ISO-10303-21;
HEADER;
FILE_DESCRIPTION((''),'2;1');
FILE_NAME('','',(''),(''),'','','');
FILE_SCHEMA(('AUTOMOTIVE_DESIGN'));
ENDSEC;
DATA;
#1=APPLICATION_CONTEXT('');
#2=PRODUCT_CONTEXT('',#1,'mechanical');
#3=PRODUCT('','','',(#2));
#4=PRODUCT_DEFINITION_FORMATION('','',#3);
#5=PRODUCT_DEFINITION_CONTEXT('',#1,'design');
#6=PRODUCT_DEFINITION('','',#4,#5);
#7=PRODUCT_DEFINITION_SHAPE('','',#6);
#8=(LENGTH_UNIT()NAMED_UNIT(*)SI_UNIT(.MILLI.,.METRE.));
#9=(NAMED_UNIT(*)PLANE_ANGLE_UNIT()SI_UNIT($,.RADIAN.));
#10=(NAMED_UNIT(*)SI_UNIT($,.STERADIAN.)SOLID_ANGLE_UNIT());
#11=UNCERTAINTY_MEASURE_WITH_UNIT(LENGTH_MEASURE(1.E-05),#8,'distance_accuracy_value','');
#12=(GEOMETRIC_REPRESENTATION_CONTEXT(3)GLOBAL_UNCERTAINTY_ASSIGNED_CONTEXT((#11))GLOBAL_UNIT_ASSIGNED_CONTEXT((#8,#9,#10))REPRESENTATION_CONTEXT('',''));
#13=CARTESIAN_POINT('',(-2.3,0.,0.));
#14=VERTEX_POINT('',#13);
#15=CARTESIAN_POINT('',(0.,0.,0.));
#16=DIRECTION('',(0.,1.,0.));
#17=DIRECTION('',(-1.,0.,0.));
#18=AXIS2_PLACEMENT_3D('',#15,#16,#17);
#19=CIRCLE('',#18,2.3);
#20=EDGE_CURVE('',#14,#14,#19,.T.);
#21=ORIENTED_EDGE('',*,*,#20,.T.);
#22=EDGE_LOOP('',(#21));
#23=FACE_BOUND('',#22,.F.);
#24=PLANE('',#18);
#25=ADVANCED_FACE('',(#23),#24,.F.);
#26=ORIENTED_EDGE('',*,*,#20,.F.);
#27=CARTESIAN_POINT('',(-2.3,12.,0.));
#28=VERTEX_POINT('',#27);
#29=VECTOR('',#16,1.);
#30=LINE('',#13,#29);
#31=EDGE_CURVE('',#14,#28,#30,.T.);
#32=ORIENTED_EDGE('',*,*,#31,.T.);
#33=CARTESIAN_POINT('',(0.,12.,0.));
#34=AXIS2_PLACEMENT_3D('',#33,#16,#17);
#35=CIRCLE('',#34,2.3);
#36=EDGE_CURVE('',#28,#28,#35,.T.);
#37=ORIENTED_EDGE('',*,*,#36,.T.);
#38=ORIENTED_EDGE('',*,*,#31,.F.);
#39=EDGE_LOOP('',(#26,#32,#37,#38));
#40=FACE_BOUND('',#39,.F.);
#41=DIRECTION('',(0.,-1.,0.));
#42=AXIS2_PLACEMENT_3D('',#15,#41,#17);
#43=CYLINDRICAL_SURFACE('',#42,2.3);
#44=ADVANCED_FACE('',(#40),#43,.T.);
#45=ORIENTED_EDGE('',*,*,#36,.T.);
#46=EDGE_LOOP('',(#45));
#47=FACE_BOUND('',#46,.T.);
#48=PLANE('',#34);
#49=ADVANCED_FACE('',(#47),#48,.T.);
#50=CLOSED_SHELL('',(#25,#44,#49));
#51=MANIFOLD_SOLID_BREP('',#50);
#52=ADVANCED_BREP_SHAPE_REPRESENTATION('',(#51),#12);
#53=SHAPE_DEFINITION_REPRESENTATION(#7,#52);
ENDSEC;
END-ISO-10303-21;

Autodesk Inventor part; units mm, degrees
ref_plane "YZ Plane" through (0, 0, 0) normal (1, 0, 0) x (0, 1, 0)
ref_plane "XZ Plane" through (0, 0, 0) normal (0, 1, 0) x (-1, 0, 0)
ref_plane "XY Plane" through (0, 0, 0) normal (0, 0, 1) x (1, 0, 0)
sketch "Sketch1" plane through (0, 0, 0) normal (0, 1, 0) x (-1, 0, 0)
  circle A0 centre (0, 0) radius 2.3
  dimension "d0" = 4.6
extrude "Extrusion1" add sketch "Sketch1" along normal blind 12
properties part number "HeadBarClampScrew" material "Aluminum 6061"
